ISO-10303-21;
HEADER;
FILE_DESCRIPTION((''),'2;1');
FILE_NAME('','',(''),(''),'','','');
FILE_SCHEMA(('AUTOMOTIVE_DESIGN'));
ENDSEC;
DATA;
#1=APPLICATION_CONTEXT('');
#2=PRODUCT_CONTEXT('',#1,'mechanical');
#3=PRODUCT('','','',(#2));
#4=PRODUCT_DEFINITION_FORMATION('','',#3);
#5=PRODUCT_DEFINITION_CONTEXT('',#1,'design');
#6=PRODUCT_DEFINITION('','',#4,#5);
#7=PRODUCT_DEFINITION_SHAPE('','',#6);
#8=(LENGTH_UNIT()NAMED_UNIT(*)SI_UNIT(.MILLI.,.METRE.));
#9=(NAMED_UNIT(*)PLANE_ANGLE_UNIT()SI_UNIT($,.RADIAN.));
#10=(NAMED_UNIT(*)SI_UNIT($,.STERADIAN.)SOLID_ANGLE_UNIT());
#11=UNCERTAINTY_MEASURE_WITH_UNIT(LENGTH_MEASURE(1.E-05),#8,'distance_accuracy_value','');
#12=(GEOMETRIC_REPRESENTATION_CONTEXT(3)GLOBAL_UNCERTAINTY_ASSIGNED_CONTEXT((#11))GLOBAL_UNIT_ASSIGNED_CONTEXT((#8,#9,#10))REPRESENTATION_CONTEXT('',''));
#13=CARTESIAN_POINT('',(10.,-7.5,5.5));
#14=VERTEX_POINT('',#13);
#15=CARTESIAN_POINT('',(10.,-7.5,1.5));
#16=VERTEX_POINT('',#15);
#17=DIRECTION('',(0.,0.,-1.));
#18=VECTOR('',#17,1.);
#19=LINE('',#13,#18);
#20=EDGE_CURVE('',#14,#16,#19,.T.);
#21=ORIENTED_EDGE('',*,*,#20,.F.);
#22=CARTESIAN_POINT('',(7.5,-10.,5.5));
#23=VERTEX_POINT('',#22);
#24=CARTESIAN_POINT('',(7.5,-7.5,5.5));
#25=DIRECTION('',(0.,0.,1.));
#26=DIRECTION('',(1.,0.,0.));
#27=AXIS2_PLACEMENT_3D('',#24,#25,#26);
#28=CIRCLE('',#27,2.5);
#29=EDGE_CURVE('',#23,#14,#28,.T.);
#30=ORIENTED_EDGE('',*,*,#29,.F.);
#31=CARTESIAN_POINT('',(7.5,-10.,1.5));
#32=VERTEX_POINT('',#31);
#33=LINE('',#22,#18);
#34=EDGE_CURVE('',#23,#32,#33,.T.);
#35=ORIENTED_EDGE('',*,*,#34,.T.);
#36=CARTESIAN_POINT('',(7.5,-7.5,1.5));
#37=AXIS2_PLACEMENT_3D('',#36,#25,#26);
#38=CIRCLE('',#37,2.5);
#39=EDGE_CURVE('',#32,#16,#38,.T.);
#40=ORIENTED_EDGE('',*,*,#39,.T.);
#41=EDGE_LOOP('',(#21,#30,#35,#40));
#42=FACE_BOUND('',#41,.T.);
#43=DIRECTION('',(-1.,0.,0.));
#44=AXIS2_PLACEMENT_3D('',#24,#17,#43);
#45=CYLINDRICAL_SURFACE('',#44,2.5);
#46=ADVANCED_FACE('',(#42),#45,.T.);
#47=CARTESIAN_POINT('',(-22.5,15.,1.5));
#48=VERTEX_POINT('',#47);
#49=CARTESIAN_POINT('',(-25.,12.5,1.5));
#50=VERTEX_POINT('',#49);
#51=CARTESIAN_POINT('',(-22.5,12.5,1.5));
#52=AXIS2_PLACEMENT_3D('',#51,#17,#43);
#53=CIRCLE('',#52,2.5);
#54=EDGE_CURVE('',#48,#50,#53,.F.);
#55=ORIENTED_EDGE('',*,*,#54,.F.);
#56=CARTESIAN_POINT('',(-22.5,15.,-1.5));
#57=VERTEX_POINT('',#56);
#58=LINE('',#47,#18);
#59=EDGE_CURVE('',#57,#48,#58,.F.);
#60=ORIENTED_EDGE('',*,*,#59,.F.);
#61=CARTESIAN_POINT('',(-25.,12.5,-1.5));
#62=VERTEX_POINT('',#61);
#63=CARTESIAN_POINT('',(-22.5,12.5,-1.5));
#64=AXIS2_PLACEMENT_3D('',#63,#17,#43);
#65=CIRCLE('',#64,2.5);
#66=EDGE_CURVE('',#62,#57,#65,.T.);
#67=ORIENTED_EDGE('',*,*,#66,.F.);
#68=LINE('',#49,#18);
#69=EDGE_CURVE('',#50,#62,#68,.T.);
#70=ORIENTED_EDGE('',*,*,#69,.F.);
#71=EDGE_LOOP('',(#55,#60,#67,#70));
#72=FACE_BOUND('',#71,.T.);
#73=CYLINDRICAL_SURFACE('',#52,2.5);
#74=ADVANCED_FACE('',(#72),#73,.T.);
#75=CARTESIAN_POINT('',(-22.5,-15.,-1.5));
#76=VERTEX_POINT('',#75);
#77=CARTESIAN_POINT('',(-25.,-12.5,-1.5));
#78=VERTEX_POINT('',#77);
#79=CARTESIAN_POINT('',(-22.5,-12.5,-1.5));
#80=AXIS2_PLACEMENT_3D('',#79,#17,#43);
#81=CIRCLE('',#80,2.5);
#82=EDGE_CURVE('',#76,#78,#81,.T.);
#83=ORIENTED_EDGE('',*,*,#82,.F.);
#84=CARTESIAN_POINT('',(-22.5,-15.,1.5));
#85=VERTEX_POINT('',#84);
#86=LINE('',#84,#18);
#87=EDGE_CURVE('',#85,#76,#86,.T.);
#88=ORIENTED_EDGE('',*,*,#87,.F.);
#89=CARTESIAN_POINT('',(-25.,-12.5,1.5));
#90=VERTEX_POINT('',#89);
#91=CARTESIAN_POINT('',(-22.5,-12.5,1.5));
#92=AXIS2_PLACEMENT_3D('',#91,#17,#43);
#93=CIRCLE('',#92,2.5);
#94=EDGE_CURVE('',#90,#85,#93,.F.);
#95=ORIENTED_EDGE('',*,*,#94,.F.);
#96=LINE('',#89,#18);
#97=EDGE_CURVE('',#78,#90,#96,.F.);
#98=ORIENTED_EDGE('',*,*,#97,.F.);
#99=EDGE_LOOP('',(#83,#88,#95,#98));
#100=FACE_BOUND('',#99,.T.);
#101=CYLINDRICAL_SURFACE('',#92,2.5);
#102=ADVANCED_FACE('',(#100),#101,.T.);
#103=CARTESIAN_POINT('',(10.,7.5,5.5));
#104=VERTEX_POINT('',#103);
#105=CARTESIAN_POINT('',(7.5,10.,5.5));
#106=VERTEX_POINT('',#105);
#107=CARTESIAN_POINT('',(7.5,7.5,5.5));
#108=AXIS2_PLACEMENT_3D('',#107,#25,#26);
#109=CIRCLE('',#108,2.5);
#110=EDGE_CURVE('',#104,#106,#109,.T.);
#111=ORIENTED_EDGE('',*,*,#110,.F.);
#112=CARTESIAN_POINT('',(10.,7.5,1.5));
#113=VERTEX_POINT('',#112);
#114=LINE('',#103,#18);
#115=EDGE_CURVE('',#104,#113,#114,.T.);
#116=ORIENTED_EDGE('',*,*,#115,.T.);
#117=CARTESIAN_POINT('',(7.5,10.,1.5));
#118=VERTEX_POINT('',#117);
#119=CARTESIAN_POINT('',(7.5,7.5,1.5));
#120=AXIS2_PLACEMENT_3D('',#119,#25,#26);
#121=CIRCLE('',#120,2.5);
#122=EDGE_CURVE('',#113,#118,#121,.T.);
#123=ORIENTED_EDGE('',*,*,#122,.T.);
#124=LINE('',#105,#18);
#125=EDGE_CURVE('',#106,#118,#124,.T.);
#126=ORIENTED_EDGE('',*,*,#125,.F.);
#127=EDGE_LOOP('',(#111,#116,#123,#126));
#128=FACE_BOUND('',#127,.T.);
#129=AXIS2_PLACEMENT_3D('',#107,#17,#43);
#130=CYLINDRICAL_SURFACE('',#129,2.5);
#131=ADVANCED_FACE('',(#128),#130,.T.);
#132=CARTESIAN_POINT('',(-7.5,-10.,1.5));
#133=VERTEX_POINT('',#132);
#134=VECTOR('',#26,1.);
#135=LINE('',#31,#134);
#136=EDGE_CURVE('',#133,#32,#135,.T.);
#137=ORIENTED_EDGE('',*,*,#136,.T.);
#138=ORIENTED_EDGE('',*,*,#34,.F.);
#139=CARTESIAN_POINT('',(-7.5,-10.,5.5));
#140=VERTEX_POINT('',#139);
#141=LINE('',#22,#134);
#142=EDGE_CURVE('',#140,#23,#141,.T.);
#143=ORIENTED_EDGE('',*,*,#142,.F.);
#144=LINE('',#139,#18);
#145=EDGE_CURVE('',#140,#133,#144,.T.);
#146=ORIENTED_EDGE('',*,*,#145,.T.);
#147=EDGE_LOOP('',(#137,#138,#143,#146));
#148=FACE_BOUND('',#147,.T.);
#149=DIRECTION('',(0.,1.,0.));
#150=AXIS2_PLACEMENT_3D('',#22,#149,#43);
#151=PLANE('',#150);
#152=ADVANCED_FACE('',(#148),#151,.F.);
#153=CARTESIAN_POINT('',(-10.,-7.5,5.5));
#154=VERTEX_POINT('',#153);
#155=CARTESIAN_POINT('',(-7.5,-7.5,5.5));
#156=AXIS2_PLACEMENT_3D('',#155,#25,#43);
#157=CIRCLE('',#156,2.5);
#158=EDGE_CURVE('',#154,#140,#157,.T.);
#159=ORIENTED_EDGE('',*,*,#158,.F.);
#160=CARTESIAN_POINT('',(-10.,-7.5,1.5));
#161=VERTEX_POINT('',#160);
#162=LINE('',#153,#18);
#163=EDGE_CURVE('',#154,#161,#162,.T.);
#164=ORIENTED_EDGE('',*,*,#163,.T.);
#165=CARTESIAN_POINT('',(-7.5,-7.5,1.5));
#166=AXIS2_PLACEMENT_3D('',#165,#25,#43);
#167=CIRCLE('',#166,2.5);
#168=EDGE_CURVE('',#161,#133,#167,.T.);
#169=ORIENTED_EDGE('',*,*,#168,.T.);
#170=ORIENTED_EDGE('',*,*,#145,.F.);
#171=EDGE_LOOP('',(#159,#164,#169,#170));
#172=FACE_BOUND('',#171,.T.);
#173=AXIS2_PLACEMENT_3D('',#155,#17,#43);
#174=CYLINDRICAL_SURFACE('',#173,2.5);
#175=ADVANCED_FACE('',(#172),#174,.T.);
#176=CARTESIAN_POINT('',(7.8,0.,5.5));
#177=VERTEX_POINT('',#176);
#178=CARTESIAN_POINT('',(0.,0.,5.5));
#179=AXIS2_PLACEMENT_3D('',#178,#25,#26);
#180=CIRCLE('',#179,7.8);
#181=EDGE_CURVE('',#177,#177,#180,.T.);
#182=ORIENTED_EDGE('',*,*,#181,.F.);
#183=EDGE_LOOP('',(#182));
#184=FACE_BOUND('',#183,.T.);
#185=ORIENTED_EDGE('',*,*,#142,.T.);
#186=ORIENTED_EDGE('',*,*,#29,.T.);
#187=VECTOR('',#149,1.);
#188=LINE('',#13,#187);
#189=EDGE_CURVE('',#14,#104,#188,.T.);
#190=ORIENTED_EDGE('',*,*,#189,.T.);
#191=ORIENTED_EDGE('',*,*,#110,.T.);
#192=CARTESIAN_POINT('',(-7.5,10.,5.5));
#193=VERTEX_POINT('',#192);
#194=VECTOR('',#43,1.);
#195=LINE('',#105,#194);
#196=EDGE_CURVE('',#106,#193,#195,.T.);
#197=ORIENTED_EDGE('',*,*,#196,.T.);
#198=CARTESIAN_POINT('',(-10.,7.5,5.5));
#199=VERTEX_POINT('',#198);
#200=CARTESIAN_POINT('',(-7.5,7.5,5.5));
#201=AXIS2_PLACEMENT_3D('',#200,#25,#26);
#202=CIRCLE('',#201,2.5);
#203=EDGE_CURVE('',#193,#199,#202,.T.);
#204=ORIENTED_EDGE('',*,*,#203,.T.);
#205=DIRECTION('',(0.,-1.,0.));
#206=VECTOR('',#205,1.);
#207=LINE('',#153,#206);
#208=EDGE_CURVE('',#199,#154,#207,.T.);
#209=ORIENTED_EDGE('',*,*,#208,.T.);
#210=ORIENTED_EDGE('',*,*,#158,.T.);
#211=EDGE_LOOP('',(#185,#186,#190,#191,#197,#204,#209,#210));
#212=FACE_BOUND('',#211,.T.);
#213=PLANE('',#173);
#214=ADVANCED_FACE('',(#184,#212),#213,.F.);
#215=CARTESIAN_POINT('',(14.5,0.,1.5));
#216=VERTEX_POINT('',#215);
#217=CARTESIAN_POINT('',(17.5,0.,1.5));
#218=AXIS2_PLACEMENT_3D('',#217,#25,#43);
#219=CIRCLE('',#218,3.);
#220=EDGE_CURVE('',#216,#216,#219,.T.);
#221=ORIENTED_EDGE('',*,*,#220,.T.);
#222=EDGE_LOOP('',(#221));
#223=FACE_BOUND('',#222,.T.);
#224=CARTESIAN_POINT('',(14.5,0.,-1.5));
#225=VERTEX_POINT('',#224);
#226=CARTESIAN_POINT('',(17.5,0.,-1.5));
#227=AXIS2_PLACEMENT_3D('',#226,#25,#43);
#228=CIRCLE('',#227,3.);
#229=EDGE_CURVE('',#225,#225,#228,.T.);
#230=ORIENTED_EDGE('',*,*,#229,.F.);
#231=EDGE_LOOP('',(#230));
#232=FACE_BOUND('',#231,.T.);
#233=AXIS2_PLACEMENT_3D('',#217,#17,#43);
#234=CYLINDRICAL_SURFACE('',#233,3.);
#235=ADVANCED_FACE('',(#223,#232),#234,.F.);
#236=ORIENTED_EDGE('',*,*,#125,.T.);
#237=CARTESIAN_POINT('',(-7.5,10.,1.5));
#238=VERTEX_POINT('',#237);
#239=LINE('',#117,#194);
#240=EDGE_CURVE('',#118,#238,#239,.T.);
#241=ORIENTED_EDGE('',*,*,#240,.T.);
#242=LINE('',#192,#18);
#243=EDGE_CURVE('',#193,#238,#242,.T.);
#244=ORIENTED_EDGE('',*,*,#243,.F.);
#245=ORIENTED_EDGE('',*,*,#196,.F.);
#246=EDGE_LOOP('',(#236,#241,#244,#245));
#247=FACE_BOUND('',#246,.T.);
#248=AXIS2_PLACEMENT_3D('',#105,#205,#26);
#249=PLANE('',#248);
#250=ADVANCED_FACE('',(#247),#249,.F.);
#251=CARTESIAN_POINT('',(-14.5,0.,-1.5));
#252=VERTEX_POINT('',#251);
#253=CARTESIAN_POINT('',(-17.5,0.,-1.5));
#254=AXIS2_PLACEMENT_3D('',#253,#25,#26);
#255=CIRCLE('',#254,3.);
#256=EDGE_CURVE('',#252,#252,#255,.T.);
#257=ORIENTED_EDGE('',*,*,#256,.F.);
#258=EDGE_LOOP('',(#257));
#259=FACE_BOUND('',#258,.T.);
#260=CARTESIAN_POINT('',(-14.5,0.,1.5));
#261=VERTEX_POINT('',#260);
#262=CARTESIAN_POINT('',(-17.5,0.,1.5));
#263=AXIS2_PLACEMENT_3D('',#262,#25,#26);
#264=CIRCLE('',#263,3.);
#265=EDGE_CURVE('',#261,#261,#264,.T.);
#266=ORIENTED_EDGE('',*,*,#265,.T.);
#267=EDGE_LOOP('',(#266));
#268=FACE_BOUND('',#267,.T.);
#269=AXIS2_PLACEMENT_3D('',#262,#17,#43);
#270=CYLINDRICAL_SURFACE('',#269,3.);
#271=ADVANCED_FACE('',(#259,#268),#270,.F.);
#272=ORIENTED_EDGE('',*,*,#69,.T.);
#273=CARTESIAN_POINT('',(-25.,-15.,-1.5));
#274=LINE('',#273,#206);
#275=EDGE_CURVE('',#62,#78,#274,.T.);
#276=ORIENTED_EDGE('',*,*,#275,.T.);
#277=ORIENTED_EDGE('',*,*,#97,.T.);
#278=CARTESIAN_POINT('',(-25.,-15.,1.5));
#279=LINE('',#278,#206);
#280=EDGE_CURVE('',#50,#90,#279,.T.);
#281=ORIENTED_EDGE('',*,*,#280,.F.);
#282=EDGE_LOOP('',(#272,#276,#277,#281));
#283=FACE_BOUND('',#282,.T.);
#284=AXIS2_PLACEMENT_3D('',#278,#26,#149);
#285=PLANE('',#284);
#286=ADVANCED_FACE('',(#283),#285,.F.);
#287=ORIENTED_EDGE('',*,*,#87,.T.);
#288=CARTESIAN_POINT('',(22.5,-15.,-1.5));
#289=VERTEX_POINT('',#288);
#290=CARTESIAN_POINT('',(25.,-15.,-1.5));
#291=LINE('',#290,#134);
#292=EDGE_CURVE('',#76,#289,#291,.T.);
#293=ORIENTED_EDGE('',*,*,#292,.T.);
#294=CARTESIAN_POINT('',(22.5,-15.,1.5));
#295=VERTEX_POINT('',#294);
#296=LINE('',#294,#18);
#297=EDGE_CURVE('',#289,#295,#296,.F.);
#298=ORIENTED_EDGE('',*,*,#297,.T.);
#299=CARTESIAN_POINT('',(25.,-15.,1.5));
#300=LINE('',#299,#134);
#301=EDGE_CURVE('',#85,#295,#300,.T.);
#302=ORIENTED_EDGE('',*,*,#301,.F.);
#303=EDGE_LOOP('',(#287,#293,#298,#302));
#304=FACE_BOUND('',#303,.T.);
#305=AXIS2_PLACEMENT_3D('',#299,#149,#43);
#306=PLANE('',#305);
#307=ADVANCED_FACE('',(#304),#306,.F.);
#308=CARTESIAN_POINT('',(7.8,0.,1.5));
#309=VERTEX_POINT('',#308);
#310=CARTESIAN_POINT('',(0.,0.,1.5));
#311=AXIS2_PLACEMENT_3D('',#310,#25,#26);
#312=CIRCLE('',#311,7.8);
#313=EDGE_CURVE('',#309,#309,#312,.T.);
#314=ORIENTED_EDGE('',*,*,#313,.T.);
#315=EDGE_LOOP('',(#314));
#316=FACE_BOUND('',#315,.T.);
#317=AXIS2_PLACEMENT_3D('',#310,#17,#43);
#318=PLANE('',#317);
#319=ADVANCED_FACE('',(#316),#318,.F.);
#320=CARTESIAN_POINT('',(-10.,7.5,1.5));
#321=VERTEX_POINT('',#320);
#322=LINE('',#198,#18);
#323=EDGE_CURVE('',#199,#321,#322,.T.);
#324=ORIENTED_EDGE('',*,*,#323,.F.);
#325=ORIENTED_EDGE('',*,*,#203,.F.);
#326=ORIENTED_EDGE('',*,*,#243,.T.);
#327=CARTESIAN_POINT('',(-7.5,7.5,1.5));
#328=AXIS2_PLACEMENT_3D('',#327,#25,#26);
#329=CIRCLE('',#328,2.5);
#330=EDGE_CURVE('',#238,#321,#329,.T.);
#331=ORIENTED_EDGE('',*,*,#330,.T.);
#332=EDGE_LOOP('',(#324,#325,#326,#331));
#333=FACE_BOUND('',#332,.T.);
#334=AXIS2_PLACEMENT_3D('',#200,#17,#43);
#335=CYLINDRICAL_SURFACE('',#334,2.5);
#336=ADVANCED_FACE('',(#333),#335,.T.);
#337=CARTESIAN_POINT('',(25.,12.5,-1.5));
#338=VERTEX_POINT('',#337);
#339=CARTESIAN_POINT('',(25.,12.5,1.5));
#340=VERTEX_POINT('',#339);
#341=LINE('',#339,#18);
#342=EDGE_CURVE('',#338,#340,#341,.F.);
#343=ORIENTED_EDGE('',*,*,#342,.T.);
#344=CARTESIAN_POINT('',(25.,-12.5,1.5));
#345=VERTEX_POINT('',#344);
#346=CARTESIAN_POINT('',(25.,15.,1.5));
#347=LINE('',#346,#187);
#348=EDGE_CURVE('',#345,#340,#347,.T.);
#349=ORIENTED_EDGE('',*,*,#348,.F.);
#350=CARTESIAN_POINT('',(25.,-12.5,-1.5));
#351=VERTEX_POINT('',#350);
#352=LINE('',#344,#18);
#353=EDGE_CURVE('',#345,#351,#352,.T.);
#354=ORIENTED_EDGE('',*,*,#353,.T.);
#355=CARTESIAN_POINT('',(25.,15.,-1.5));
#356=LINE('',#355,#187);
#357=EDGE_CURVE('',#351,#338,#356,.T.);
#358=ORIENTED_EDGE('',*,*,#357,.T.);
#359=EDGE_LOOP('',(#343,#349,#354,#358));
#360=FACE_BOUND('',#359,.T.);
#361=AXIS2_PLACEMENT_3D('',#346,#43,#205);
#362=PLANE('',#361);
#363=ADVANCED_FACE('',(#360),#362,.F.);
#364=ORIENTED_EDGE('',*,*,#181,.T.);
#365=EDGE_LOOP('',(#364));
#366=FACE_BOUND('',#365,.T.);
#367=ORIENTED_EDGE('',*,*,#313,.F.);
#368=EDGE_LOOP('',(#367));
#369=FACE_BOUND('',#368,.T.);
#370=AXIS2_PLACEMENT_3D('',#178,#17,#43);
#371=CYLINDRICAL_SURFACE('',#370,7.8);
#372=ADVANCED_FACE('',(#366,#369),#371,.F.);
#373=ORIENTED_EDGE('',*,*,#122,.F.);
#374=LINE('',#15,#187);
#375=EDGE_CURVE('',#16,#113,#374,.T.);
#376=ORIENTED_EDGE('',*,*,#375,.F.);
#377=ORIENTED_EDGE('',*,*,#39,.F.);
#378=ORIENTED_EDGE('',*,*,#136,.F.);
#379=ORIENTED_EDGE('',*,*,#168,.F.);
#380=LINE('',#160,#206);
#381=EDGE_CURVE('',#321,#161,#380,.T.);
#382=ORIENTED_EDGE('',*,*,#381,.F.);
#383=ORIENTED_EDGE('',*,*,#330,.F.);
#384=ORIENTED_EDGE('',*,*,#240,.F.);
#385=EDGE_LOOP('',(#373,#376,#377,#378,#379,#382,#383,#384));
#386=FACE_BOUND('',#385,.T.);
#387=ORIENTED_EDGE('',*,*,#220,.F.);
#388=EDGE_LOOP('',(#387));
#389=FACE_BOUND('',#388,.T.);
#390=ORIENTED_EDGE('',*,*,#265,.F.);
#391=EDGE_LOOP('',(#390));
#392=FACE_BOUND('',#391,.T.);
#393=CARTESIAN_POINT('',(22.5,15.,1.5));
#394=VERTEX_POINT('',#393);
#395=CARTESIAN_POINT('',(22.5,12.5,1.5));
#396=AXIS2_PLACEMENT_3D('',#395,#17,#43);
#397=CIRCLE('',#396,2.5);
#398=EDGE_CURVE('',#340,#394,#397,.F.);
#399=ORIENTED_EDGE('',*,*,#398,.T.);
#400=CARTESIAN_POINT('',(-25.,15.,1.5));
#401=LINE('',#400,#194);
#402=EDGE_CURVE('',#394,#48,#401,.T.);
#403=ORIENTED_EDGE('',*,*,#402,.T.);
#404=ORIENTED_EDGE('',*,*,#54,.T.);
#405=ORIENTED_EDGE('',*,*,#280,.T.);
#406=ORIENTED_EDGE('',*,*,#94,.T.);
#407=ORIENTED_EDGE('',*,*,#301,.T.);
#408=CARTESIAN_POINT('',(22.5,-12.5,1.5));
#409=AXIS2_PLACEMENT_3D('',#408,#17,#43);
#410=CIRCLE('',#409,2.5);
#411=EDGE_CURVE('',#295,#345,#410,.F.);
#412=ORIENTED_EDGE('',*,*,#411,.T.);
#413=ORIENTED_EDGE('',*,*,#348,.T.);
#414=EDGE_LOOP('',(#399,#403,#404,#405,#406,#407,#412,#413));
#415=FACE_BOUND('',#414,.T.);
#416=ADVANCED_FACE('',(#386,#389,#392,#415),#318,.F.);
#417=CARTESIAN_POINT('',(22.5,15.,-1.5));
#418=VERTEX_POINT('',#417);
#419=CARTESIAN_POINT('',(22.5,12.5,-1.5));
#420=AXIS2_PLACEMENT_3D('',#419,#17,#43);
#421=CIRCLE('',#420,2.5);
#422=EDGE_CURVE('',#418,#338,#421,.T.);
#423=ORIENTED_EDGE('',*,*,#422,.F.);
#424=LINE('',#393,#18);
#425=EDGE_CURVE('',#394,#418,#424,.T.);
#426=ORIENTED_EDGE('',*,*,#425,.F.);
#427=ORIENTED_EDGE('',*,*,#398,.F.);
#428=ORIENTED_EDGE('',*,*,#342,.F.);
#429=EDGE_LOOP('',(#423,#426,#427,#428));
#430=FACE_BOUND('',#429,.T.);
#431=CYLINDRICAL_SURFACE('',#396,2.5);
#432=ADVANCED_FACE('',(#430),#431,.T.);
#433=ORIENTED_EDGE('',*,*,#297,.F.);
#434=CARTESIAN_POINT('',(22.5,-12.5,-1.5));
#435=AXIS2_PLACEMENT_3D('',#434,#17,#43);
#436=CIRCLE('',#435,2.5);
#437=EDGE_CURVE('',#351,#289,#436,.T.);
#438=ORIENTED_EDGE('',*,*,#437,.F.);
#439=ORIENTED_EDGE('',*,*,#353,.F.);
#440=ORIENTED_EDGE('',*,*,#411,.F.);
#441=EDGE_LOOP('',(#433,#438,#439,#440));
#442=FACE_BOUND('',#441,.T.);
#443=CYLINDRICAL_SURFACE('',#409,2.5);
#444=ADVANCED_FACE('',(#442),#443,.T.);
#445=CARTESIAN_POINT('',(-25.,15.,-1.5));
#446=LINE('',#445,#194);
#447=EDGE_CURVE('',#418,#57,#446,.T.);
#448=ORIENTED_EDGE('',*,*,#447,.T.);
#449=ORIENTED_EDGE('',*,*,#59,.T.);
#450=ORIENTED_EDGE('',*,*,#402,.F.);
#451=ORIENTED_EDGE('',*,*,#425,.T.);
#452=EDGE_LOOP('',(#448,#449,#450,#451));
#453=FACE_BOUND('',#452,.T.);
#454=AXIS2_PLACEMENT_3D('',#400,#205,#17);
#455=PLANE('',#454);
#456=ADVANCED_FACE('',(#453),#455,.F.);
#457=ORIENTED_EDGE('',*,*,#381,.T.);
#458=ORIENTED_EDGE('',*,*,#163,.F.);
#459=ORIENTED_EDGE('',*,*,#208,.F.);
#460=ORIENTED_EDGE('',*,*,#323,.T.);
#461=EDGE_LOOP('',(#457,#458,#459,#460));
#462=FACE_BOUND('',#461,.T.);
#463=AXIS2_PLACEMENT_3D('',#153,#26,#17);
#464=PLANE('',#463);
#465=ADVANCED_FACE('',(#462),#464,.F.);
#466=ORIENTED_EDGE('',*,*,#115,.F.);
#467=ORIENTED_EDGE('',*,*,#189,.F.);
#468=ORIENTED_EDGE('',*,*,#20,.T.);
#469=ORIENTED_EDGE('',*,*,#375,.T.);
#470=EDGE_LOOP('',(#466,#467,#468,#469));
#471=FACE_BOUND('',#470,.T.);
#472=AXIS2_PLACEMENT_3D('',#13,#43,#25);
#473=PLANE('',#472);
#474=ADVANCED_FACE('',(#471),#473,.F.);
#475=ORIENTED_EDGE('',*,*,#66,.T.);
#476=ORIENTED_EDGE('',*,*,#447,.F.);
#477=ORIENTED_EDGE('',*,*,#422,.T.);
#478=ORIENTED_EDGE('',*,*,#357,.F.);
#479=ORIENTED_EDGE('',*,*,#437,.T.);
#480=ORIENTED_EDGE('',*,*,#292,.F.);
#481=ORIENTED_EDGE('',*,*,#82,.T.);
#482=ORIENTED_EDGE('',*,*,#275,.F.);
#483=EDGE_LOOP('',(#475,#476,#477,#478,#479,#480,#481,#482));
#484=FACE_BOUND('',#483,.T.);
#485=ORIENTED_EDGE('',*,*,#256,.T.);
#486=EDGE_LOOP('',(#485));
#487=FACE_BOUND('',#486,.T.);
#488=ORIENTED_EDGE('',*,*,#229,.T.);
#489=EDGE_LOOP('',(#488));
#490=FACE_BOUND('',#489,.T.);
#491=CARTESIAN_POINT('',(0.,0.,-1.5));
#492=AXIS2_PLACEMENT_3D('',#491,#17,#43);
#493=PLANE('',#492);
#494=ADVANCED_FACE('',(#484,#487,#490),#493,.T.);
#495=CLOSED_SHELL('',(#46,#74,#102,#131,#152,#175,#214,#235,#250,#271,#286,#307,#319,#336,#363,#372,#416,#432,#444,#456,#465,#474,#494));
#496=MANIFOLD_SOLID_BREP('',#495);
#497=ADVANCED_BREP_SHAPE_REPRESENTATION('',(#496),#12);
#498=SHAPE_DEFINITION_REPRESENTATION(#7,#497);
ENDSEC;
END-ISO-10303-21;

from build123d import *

# Parameters (mm, degrees)
SKETCH1_W           = 50
SKETCH1_H           = 30
SKETCH1_R           = 3
BOSS_EXTRUDE1_DEPTH = 1.5
FILLET1_R           = 2.5
SKETCH2_R           = 7.8
BOSS_EXTRUDE2_DEPTH = 4


with BuildPart() as part:
    # Sketch1 → Boss-Extrude1 (new body, symmetric)
    with BuildSketch(Plane.XY):
        Rectangle(SKETCH1_W, SKETCH1_H)
        with Locations((-17.5, 0)):
            Circle(SKETCH1_R, mode=Mode.SUBTRACT)
        with Locations((17.5, 0)):
            Circle(SKETCH1_R, mode=Mode.SUBTRACT)
    extrude(amount=BOSS_EXTRUDE1_DEPTH, both=True)

    # Fillet1
    fillet1_edges = [part.edges().sort_by_distance(p)[0] for p in [
        (-25, 15, 0),
        (25, 15, 0),
        (25, -15, 0),
        (-25, -15, 0),
    ]]
    fillet(fillet1_edges, radius=FILLET1_R)

    # Sketch2 → Boss-Extrude2 (add)
    with BuildSketch(Plane.XY.offset(1.5)):
        with BuildLine():
            Line((7.5, -10), (-7.5, -10))
            ThreePointArc((-7.5, -10), (-9.267766953, -9.267766953), (-10, -7.5))
            Line((-10, -7.5), (-10, 7.5))
            ThreePointArc((-10, 7.5), (-9.267766953, 9.267766953), (-7.5, 10))
            Line((-7.5, 10), (7.5, 10))
            ThreePointArc((7.5, 10), (9.267766953, 9.267766953), (10, 7.5))
            Line((10, 7.5), (10, -7.5))
            ThreePointArc((10, -7.5), (9.267766953, -9.267766953), (7.5, -10))
        make_face()
        Circle(SKETCH2_R, mode=Mode.SUBTRACT)
    extrude(amount=BOSS_EXTRUDE2_DEPTH)


solid = part.part
